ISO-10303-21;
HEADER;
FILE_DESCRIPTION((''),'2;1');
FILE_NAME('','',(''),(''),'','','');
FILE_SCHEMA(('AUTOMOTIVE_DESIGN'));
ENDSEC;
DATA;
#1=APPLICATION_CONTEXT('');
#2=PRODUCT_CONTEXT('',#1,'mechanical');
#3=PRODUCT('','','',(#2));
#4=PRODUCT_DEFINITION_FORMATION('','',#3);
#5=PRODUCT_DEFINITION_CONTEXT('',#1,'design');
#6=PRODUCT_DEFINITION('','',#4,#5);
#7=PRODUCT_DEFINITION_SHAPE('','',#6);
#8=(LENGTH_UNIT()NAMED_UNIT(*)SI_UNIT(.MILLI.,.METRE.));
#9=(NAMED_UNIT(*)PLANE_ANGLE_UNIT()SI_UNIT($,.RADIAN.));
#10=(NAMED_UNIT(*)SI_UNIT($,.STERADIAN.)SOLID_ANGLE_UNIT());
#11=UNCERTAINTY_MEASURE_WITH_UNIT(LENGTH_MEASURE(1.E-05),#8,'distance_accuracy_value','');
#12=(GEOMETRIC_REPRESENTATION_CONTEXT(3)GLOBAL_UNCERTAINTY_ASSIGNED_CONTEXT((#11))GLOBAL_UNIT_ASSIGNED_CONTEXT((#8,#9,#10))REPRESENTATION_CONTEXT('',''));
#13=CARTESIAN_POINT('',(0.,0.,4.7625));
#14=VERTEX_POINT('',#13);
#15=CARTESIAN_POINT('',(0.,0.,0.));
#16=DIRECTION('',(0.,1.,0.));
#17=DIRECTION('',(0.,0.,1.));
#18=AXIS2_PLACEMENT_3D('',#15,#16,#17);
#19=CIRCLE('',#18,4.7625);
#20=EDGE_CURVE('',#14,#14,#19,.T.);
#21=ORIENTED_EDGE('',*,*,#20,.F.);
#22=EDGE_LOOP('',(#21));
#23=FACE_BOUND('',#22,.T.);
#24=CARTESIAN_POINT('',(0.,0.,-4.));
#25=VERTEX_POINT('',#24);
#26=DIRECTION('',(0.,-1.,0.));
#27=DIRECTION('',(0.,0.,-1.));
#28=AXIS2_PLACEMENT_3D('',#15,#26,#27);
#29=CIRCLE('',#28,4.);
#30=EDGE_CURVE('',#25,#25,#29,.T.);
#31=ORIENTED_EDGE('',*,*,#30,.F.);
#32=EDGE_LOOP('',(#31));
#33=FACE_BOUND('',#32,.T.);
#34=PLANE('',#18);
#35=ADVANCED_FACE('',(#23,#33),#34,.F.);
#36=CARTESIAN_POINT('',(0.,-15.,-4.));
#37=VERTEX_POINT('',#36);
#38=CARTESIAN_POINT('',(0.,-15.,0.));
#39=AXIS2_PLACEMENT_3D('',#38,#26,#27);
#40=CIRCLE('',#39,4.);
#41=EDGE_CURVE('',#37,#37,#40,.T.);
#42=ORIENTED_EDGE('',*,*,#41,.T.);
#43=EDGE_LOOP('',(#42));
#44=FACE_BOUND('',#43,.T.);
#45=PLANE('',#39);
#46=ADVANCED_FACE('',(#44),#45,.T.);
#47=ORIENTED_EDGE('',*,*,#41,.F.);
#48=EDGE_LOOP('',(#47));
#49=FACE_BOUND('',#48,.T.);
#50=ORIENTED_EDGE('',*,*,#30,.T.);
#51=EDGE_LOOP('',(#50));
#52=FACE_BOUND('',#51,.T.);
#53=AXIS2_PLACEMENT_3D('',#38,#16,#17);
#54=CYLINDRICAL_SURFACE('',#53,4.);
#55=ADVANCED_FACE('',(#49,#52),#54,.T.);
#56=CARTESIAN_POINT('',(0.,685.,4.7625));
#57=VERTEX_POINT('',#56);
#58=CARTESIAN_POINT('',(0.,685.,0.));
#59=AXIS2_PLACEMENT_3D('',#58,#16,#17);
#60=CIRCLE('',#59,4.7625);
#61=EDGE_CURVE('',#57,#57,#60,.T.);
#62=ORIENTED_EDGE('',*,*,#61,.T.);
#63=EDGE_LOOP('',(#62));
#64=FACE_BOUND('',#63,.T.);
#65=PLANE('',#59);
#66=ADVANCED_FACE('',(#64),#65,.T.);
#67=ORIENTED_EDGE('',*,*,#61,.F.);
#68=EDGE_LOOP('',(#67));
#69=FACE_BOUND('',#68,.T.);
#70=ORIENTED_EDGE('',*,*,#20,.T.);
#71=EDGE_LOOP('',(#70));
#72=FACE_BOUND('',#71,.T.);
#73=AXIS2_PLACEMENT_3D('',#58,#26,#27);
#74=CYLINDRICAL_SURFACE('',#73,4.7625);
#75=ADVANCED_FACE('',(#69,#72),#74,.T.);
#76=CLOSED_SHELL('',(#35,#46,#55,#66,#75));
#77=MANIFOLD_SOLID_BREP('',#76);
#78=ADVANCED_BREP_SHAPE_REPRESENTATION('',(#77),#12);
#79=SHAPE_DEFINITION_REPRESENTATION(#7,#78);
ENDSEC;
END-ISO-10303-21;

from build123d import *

# Parameters (mm, degrees)
CROQUIS1_R              = 4.7625
SALIENTE_EXTRUIR1_DEPTH = 685
CROQUIS2_R              = 4
SALIENTE_EXTRUIR2_DEPTH = 15


with BuildPart() as part:
    # Croquis1 → Saliente-Extruir1 (new body)
    with BuildSketch(Plane(origin=(0, 0, 0), x_dir=(1, 0, 0), z_dir=(0, 1, 0))):
        with Locations(Location((0, 0, 0), (0, 0, 270))):
            Circle(CROQUIS1_R)
    extrude(amount=SALIENTE_EXTRUIR1_DEPTH)

    # Croquis2 → Saliente-Extruir2 (add)
    with BuildSketch(Plane.XZ):
        with Locations(Location((0, 0, 0), (0, 0, 270))):
            Circle(CROQUIS2_R)
    extrude(amount=SALIENTE_EXTRUIR2_DEPTH)


solid = part.part
